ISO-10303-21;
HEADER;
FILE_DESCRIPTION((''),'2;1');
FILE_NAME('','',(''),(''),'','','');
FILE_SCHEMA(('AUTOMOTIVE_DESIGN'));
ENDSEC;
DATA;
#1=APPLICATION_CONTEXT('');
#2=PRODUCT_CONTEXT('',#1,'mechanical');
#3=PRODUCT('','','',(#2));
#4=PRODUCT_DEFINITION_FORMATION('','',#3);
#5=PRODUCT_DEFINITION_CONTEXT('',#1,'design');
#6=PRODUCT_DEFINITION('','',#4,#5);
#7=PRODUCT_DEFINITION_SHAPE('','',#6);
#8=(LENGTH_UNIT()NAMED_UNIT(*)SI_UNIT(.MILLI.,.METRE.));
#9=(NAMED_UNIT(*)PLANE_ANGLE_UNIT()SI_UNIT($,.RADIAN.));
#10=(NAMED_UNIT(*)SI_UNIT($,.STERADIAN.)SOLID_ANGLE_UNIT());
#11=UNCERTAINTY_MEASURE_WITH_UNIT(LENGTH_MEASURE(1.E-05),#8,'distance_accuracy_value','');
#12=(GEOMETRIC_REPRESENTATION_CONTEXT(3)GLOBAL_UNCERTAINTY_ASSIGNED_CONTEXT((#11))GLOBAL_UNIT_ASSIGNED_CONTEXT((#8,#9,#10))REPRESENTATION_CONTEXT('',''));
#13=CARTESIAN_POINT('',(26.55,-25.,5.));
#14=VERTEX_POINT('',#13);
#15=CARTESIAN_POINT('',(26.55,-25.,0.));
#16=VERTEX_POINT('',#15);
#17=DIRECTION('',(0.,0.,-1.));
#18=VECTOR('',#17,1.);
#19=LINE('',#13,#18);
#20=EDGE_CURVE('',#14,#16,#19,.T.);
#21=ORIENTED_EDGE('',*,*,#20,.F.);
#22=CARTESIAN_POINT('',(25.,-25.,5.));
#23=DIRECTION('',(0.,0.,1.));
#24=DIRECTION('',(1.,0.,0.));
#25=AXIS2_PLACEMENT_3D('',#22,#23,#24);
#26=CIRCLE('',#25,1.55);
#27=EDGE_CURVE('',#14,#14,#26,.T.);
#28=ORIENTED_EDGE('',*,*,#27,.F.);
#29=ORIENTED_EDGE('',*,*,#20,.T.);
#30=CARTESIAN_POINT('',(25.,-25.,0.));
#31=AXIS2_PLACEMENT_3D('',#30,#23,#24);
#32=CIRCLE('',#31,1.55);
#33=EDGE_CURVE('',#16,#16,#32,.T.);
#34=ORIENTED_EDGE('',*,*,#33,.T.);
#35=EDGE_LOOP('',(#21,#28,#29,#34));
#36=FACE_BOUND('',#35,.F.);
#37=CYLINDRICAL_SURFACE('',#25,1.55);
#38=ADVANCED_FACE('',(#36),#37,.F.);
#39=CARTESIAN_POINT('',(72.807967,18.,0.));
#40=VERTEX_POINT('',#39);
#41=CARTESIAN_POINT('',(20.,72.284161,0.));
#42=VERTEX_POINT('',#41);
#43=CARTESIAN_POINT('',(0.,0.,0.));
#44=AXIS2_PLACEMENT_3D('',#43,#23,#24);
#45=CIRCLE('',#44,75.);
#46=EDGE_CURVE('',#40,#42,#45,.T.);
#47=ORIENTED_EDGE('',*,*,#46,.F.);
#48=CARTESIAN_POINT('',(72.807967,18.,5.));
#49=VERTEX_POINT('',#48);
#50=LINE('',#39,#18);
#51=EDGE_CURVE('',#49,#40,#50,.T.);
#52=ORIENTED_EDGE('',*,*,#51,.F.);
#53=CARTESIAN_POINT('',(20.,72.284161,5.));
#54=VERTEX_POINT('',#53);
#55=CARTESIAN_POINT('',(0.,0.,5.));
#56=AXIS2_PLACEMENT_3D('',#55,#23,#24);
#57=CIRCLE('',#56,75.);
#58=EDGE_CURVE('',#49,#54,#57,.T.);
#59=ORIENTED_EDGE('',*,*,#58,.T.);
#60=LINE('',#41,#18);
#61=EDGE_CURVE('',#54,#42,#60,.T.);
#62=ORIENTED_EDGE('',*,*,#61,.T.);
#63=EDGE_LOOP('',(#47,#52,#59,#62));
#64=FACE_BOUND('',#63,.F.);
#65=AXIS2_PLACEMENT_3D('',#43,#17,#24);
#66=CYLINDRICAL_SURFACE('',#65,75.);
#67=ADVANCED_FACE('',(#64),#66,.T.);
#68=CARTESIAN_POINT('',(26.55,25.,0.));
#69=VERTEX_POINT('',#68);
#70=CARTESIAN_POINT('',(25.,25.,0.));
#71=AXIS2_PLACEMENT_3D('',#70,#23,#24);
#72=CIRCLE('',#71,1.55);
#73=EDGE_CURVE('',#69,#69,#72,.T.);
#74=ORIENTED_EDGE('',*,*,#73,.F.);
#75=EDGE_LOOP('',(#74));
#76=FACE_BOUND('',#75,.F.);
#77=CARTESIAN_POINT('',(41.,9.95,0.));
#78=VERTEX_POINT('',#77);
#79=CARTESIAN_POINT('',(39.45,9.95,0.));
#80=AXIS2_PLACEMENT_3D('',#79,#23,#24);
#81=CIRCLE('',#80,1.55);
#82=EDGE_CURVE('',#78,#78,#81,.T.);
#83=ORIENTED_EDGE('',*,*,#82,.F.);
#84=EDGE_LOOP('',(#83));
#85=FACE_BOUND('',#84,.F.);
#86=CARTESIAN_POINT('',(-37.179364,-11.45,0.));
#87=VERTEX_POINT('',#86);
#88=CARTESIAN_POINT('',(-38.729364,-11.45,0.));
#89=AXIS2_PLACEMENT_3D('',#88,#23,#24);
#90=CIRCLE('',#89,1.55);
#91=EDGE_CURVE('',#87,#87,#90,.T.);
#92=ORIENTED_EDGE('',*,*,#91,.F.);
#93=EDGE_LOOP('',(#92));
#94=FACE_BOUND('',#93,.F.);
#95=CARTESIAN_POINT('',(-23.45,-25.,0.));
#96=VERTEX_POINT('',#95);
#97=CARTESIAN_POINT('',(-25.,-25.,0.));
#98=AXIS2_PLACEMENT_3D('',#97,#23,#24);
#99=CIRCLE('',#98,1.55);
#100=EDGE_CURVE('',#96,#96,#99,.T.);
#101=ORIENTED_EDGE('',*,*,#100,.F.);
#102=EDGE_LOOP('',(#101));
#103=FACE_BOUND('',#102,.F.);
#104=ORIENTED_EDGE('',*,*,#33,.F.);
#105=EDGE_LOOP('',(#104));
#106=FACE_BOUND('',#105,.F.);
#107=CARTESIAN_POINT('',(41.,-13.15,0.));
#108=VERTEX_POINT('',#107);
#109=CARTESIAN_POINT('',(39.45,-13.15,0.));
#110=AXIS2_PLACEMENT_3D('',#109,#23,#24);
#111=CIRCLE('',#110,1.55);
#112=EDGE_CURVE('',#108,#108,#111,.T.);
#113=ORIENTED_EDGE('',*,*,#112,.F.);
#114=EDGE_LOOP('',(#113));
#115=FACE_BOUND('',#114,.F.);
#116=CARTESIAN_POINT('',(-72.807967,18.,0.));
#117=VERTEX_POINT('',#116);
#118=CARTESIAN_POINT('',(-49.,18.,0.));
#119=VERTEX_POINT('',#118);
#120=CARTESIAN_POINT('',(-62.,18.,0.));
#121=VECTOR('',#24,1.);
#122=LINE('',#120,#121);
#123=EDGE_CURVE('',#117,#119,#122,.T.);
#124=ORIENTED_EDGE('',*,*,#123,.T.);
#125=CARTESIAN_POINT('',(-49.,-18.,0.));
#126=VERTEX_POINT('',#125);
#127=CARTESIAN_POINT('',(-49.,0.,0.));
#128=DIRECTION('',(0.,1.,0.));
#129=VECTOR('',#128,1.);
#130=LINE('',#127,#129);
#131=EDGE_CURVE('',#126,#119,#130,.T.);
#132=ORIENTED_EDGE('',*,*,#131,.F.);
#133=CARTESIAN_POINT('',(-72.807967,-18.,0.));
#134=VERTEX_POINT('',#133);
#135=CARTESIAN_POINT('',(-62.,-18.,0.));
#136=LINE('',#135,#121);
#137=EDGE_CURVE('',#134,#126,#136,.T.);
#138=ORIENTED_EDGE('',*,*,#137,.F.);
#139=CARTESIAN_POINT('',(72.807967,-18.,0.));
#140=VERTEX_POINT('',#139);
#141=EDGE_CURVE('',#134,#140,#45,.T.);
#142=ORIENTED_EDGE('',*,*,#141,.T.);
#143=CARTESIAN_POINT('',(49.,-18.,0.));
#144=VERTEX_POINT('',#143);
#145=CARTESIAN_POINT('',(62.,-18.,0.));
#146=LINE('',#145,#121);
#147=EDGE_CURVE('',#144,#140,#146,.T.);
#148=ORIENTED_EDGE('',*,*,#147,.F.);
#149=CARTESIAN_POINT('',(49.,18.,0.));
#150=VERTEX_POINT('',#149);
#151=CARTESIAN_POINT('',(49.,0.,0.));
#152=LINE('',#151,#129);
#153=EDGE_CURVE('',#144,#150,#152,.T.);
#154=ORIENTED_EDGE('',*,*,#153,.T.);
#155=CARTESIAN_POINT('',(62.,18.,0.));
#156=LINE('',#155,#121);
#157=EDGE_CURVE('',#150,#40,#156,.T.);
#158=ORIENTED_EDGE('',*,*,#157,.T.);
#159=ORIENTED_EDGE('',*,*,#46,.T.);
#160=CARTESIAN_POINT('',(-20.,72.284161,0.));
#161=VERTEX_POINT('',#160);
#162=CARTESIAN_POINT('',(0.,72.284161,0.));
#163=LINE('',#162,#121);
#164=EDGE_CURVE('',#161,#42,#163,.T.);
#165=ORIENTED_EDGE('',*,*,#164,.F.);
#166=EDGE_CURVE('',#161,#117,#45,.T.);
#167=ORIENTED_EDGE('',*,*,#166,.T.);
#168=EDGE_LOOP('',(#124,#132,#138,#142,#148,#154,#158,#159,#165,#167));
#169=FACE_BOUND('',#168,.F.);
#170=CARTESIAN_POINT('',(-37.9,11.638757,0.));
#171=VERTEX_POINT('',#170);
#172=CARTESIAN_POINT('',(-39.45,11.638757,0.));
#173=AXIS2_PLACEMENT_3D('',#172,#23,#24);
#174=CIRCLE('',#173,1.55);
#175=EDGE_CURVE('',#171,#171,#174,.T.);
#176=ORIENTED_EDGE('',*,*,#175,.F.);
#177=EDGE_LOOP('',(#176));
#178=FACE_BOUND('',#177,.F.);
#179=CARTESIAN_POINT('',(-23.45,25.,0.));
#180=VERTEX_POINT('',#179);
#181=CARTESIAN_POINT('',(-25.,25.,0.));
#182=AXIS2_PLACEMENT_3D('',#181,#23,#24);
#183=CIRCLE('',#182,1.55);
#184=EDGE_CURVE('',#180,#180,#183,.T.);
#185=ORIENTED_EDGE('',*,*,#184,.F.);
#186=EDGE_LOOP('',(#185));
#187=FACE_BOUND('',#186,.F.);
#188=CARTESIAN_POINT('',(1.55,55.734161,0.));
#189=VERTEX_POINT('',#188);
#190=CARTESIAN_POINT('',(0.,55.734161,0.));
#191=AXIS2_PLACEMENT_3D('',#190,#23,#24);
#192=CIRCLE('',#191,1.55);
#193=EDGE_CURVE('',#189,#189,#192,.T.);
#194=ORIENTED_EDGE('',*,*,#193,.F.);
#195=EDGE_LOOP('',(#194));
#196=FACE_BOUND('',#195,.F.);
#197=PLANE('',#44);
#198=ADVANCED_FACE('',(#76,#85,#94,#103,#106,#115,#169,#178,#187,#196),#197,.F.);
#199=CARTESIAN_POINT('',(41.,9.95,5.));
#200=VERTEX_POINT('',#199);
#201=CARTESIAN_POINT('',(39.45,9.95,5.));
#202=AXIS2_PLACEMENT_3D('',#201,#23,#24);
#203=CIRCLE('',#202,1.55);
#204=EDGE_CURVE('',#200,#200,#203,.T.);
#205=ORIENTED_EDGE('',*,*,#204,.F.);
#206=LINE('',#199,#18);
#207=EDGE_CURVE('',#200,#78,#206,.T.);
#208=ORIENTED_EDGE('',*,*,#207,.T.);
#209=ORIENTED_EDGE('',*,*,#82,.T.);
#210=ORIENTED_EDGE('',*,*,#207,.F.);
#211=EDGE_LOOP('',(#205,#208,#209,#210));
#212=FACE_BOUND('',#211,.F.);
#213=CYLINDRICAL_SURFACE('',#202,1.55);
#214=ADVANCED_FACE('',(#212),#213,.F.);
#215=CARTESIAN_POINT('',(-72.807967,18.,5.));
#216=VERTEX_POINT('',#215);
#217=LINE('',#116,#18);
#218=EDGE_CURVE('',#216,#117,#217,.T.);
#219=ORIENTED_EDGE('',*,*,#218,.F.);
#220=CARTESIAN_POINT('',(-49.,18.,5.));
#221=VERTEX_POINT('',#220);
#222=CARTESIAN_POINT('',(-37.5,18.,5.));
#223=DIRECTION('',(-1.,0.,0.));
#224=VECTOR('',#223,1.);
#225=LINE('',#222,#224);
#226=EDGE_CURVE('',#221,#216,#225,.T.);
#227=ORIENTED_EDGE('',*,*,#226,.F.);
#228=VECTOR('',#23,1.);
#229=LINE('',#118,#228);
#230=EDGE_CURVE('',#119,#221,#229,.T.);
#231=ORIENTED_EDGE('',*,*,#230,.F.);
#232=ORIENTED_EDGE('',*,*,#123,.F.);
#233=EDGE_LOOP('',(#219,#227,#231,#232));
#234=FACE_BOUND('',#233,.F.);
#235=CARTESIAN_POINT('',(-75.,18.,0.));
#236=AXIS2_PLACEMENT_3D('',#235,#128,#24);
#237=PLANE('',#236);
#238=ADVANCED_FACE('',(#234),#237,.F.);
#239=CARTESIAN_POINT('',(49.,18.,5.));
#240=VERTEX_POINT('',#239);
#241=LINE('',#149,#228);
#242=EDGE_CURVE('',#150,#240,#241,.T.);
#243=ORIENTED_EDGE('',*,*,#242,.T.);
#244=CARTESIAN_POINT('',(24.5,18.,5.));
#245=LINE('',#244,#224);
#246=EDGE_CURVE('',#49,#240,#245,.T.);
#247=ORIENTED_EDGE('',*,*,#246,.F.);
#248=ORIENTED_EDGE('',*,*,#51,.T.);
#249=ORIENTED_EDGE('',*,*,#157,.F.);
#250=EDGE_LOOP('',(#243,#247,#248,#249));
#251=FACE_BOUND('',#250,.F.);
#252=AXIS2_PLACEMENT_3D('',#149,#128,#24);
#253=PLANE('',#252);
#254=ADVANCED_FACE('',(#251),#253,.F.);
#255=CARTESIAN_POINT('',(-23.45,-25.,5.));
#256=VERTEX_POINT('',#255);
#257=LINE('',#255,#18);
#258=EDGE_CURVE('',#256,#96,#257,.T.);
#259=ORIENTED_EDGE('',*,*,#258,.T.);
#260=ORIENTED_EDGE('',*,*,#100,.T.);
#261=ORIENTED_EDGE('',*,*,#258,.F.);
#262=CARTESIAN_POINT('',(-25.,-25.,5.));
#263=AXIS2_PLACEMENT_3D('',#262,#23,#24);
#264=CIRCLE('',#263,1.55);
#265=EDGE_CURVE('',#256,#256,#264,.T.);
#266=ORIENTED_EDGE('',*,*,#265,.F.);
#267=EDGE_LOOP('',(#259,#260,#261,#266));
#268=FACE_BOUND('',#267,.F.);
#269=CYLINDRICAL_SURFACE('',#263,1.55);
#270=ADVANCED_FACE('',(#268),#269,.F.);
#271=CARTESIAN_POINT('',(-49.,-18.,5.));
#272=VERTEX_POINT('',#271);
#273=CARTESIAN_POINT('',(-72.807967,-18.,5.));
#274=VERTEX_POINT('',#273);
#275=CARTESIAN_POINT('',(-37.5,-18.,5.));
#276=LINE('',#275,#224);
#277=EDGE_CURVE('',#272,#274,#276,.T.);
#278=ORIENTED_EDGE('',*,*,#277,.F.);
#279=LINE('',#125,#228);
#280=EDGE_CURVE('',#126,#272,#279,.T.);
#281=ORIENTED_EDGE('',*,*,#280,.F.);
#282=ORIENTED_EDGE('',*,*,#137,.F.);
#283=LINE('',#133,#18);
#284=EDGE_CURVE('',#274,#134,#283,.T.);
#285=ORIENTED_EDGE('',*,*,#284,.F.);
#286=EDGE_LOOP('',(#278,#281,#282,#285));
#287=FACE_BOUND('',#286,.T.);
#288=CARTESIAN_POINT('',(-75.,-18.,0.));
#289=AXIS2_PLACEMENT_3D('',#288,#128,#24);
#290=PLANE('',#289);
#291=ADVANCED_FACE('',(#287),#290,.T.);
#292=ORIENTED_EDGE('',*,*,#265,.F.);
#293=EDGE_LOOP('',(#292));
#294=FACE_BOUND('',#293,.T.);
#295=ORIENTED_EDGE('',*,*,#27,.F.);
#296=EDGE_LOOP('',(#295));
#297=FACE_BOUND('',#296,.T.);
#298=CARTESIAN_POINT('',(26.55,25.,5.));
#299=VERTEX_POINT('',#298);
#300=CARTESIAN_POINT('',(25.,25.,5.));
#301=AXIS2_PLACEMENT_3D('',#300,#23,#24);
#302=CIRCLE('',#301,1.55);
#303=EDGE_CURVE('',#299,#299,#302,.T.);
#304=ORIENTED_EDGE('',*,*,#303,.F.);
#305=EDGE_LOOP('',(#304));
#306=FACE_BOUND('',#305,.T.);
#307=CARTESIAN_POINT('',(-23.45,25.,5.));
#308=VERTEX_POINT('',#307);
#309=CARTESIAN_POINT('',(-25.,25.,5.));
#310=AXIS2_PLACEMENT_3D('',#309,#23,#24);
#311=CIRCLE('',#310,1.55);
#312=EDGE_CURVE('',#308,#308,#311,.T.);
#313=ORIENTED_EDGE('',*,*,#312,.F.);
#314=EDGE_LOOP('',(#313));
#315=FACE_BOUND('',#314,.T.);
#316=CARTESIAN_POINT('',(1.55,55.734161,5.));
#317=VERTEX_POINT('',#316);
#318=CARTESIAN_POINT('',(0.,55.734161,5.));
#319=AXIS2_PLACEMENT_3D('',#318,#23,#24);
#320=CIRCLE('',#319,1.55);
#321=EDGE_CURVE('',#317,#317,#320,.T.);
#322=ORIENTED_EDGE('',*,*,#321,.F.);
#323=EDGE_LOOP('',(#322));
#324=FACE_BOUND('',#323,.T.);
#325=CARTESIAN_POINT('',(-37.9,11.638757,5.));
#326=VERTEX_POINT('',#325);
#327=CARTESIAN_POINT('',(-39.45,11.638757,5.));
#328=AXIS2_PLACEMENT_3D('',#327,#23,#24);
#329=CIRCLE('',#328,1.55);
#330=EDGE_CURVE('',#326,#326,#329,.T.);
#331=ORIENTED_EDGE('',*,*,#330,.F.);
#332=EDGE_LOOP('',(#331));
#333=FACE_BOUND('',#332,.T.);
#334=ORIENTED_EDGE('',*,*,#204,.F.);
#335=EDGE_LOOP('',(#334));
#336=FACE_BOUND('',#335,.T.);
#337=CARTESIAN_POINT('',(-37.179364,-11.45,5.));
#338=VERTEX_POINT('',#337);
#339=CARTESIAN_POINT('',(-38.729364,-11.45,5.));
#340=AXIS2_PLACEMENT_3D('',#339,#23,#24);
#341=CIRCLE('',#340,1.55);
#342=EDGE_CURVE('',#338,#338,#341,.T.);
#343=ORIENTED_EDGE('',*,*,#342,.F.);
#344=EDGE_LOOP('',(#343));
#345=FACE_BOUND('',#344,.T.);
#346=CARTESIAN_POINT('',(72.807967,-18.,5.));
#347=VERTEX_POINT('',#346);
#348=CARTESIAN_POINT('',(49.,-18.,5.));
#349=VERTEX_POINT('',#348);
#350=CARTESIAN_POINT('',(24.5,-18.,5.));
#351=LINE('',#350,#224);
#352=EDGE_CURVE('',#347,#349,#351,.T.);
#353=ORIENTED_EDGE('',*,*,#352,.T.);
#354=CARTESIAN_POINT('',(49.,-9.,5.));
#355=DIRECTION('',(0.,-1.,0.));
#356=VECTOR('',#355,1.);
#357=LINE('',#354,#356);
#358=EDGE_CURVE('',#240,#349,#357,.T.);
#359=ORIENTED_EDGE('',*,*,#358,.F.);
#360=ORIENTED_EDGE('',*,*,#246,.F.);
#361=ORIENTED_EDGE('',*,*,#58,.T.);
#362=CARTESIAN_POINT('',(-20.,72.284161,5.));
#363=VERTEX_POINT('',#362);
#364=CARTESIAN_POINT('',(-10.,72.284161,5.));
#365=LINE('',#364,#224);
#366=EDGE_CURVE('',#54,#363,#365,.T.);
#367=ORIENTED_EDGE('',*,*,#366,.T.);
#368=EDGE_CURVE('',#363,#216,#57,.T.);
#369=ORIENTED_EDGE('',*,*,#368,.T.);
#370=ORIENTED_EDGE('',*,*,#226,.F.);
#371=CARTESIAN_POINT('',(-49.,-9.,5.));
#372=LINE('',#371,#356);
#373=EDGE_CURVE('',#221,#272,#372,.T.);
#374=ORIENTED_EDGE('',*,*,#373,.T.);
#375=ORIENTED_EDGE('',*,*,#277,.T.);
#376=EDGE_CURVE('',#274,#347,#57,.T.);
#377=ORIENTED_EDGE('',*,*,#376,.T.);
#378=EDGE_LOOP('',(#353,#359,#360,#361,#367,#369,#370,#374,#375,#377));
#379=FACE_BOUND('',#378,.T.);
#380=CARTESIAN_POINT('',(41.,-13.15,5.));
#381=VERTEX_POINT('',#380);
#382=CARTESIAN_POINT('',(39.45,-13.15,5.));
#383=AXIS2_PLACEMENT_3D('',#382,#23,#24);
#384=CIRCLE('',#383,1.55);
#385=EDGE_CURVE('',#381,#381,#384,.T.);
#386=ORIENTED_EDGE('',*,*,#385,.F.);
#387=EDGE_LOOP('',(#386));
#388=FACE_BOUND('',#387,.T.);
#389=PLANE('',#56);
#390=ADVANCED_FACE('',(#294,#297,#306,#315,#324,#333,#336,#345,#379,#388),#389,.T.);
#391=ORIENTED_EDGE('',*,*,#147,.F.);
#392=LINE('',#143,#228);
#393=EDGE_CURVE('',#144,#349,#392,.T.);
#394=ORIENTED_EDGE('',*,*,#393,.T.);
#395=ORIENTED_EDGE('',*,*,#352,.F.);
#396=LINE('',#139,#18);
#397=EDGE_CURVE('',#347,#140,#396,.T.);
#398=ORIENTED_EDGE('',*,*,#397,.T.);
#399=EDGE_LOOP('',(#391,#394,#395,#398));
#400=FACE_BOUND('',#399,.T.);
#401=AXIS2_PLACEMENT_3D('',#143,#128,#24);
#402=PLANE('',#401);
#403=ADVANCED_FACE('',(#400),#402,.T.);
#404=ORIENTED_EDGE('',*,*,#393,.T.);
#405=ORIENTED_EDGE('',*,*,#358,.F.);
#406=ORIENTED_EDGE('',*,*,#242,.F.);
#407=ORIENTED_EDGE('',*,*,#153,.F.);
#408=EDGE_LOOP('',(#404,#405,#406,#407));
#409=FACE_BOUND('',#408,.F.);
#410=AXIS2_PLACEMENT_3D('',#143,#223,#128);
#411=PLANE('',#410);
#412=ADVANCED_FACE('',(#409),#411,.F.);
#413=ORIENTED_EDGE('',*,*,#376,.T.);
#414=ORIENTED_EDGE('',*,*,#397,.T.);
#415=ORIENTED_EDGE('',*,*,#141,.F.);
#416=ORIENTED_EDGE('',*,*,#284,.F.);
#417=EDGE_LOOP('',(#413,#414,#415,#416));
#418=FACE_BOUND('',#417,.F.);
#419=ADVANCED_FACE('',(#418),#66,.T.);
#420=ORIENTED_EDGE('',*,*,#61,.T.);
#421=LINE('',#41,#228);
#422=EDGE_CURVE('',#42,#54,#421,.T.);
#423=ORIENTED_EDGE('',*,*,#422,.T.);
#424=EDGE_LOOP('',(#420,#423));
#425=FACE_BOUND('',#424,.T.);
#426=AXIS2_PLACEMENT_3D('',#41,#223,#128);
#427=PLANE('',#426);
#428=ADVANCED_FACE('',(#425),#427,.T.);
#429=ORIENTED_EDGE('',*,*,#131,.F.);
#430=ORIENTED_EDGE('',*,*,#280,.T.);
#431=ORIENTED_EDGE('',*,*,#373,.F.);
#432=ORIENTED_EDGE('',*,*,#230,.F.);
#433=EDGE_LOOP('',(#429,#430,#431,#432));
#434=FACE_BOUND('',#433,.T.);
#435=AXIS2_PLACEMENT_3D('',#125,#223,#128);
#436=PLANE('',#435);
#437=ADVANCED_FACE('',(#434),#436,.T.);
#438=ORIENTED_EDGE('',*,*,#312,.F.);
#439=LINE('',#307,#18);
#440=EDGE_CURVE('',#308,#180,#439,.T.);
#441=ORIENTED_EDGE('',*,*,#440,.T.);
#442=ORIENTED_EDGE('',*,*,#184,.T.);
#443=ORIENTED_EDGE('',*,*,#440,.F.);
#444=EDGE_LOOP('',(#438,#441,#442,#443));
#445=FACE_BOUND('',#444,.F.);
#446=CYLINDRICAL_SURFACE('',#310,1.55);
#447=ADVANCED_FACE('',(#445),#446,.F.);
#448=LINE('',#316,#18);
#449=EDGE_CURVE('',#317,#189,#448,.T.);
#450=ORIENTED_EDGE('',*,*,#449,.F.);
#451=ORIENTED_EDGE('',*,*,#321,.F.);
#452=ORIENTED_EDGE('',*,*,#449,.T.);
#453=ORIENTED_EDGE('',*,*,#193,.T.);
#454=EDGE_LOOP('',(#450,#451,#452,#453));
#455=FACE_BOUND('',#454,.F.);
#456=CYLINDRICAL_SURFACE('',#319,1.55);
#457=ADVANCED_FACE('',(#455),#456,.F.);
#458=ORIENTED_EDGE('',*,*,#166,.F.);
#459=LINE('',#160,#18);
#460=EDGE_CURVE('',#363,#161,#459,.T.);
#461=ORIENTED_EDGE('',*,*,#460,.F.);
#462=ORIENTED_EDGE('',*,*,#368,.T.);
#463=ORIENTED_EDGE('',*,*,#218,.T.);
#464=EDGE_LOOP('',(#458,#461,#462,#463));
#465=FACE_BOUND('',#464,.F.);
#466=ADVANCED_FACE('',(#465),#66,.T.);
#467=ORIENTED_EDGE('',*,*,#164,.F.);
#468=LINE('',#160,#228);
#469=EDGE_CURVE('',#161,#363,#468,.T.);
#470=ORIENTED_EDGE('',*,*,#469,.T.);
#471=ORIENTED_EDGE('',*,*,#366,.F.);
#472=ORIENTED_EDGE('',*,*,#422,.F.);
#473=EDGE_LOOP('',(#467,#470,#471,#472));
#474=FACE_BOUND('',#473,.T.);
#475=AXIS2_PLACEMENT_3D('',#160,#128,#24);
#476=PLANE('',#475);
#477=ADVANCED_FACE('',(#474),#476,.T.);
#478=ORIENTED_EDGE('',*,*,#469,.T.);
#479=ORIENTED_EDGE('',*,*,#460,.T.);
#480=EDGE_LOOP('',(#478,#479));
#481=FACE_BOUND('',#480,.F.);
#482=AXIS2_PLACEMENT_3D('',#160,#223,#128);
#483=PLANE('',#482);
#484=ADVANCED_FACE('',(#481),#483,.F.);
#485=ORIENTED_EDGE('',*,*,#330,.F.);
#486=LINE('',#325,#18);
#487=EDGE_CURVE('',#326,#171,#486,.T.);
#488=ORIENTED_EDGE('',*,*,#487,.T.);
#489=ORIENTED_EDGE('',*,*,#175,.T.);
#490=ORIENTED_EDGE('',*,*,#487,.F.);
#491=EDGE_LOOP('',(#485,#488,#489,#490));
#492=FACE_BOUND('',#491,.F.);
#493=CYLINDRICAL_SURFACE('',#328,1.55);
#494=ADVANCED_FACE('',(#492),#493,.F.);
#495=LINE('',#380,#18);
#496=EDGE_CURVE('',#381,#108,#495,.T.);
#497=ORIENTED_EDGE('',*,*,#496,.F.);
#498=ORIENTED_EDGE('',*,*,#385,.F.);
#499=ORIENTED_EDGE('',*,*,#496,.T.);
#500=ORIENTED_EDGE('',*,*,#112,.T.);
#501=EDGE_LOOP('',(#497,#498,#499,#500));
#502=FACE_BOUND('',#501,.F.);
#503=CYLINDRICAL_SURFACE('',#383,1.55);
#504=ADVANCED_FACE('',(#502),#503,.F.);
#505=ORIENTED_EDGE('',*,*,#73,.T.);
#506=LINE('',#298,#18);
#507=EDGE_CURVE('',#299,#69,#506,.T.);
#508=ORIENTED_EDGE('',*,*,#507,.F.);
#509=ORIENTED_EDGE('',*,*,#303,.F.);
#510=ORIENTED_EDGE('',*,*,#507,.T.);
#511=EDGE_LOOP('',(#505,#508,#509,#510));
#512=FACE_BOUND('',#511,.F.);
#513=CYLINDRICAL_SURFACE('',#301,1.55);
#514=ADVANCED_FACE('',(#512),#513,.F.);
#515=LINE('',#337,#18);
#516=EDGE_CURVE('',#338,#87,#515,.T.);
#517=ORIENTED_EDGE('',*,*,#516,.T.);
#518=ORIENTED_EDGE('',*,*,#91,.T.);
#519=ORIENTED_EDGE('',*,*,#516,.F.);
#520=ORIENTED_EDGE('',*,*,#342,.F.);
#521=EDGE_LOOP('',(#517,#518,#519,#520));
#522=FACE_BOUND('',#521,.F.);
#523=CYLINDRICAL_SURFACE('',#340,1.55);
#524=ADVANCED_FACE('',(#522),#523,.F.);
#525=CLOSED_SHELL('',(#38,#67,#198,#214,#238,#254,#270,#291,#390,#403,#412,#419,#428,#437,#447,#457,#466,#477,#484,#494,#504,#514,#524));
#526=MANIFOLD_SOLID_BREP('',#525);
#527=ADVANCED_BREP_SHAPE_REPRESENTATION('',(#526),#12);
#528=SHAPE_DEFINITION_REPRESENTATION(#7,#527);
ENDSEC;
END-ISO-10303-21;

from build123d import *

# Parameters (mm, degrees)
F0_R      = 75
F1_DEPTH  = 5
F2_W      = 26
F2_H      = 36
F3_DEPTH  = 25
F4_W      = 26
F4_H      = 36
F5_DEPTH  = 25
F6_W      = 40
F6_H      = 5.71822
F7_DEPTH  = 25
F8_R      = 1.55
F9_DEPTH  = 25
F10_R     = 1.55
F11_DEPTH = 25
F12_R     = 1.55
F13_DEPTH = 25
F14_R     = 1.55
F15_DEPTH = 25


with BuildPart() as f1:
    # F0 (on Top) → F1 (new body)
    with BuildSketch(Plane.XY):
        Circle(F0_R)
    extrude(amount=F1_DEPTH)

    # F2 (on Top) → F3 (cut)
    with BuildSketch(Plane.XY):
        with Locations((62, 0)):
            Rectangle(F2_W, F2_H)
    extrude(amount=F3_DEPTH, mode=Mode.SUBTRACT)

    # F4 (on Top) → F5 (cut)
    with BuildSketch(Plane.XY):
        with Locations((-62, 0)):
            Rectangle(F4_W, F4_H)
    extrude(amount=F5_DEPTH, mode=Mode.SUBTRACT)

    # F6 (on Top) → F7 (cut)
    with BuildSketch(Plane.XY):
        with Locations((0, 75.143271)):
            Rectangle(F6_W, F6_H)
    extrude(amount=F7_DEPTH, mode=Mode.SUBTRACT)

    # F8 (on face) → F9 (cut)
    with BuildSketch(Plane.XY.offset(5)):
        with Locations((-25, -25)):
            Circle(F8_R)
        with Locations((-25, 25)):
            Circle(F8_R)
        with Locations((25, 25)):
            Circle(F8_R)
        with Locations((25, -25)):
            Circle(F8_R)
    extrude(amount=-F9_DEPTH, mode=Mode.SUBTRACT)

    # F10 (on face) → F11 (cut)
    with BuildSketch(Plane.XY.offset(5)):
        with Locations((39.45, 9.95)):
            Circle(F10_R)
        with Locations((39.45, -13.15)):
            Circle(F10_R)
    extrude(amount=-F11_DEPTH, mode=Mode.SUBTRACT)

    # F12 (on face) → F13 (cut)
    with BuildSketch(Plane.XY.offset(5)):
        with Locations((-39.45, 11.638757)):
            Circle(F12_R)
        with Locations((-38.729364, -11.45)):
            Circle(F12_R)
    extrude(amount=-F13_DEPTH, mode=Mode.SUBTRACT)

    # F14 (on face) → F15 (cut)
    with BuildSketch(Plane.XY.offset(5)):
        with Locations((0, 55.734161)):
            Circle(F14_R)
    extrude(amount=-F15_DEPTH, mode=Mode.SUBTRACT)


solid = f1.part
